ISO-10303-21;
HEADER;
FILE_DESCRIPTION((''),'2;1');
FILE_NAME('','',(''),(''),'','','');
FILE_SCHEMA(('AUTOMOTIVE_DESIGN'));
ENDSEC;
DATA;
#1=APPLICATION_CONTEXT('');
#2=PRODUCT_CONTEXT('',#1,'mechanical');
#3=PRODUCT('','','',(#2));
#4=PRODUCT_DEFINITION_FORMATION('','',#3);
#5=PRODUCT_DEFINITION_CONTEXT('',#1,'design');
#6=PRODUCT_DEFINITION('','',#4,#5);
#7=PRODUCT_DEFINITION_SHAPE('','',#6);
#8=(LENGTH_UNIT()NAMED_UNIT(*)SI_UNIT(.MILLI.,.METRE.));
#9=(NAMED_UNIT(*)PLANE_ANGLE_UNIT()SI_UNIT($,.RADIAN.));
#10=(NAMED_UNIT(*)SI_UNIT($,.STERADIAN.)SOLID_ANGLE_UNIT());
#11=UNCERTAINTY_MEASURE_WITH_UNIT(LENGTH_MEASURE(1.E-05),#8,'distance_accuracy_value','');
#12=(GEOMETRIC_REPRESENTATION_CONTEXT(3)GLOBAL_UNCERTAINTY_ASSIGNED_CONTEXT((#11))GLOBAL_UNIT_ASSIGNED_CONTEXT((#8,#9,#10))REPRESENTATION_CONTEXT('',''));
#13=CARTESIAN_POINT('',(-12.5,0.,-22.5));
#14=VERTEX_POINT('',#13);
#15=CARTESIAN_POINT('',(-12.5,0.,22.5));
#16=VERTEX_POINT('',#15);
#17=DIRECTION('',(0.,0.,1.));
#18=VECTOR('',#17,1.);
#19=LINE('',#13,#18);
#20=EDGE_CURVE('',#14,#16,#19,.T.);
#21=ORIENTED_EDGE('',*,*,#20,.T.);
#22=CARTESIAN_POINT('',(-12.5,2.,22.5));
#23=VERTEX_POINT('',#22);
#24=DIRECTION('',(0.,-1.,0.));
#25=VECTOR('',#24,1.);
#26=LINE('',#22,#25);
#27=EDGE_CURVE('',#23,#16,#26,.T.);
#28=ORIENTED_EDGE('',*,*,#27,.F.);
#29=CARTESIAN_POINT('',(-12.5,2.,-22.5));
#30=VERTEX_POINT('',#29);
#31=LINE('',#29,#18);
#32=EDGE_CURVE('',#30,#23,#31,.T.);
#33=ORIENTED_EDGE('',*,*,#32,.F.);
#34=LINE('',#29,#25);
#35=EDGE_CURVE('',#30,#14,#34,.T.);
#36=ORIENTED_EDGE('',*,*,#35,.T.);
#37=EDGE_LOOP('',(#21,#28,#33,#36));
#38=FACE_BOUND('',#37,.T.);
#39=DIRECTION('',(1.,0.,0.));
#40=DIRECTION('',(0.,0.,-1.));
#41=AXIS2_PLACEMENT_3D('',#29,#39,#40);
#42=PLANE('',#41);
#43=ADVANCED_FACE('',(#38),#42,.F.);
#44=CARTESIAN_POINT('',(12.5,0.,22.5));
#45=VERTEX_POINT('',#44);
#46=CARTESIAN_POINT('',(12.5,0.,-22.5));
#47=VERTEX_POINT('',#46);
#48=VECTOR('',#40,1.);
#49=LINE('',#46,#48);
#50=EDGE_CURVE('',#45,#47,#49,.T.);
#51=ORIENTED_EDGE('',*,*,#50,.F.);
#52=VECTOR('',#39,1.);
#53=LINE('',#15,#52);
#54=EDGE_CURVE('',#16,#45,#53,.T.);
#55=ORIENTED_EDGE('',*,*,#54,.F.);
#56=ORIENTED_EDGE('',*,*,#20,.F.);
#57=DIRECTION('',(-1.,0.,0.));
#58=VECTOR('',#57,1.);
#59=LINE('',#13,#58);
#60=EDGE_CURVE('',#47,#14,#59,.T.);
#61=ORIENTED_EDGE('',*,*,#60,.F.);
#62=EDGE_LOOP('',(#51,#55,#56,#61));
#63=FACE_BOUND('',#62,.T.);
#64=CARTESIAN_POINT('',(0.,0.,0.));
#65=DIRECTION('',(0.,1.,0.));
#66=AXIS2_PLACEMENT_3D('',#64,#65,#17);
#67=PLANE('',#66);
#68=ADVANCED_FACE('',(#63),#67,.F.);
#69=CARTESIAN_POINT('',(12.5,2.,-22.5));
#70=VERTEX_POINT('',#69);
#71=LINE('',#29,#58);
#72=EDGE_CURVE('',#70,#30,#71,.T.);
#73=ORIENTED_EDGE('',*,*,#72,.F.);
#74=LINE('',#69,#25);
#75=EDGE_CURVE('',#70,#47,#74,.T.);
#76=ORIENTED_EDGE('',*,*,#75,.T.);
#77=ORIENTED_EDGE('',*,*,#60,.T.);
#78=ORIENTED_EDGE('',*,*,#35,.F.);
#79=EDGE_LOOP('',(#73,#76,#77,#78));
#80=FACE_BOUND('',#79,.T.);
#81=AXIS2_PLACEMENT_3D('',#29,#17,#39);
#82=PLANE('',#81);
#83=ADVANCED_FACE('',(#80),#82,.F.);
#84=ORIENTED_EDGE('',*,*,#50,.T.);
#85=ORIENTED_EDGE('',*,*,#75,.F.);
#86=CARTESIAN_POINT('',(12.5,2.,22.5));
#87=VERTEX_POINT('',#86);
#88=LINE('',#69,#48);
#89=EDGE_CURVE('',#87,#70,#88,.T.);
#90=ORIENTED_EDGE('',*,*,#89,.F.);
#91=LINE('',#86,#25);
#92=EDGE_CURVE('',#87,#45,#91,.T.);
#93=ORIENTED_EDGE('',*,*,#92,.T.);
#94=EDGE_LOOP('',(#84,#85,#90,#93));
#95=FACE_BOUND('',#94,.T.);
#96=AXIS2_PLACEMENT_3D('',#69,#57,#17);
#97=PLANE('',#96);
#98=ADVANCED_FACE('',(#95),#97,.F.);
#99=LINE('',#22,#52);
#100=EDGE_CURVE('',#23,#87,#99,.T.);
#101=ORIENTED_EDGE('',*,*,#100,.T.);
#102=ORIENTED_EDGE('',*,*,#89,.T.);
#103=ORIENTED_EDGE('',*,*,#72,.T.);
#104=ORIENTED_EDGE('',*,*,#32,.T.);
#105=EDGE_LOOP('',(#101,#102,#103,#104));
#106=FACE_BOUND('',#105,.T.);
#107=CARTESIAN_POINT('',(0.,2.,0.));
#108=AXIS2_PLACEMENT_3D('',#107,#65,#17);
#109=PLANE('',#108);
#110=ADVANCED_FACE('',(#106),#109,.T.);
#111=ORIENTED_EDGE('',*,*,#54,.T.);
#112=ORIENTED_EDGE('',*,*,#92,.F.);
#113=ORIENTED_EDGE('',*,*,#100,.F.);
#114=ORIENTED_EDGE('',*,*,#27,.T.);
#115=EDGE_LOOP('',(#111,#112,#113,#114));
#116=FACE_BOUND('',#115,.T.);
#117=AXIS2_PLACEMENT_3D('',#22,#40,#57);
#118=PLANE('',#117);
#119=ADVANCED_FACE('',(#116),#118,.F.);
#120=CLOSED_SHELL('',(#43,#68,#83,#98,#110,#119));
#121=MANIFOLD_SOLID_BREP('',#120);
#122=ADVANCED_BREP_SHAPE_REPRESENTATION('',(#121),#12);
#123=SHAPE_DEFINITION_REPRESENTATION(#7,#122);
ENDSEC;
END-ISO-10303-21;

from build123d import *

# Parameters (mm, degrees)
SKETCH1_W           = 25
SKETCH1_H           = 45
BOSS_EXTRUDE1_DEPTH = 2


with BuildPart() as part:
    # Sketch1 → Boss-Extrude1 (new body)
    with BuildSketch(Plane(origin=(0, 0, 0), x_dir=(1, 0, 0), z_dir=(0, 1, 0))):
        Rectangle(SKETCH1_W, SKETCH1_H)
    extrude(amount=BOSS_EXTRUDE1_DEPTH)


solid = part.part
